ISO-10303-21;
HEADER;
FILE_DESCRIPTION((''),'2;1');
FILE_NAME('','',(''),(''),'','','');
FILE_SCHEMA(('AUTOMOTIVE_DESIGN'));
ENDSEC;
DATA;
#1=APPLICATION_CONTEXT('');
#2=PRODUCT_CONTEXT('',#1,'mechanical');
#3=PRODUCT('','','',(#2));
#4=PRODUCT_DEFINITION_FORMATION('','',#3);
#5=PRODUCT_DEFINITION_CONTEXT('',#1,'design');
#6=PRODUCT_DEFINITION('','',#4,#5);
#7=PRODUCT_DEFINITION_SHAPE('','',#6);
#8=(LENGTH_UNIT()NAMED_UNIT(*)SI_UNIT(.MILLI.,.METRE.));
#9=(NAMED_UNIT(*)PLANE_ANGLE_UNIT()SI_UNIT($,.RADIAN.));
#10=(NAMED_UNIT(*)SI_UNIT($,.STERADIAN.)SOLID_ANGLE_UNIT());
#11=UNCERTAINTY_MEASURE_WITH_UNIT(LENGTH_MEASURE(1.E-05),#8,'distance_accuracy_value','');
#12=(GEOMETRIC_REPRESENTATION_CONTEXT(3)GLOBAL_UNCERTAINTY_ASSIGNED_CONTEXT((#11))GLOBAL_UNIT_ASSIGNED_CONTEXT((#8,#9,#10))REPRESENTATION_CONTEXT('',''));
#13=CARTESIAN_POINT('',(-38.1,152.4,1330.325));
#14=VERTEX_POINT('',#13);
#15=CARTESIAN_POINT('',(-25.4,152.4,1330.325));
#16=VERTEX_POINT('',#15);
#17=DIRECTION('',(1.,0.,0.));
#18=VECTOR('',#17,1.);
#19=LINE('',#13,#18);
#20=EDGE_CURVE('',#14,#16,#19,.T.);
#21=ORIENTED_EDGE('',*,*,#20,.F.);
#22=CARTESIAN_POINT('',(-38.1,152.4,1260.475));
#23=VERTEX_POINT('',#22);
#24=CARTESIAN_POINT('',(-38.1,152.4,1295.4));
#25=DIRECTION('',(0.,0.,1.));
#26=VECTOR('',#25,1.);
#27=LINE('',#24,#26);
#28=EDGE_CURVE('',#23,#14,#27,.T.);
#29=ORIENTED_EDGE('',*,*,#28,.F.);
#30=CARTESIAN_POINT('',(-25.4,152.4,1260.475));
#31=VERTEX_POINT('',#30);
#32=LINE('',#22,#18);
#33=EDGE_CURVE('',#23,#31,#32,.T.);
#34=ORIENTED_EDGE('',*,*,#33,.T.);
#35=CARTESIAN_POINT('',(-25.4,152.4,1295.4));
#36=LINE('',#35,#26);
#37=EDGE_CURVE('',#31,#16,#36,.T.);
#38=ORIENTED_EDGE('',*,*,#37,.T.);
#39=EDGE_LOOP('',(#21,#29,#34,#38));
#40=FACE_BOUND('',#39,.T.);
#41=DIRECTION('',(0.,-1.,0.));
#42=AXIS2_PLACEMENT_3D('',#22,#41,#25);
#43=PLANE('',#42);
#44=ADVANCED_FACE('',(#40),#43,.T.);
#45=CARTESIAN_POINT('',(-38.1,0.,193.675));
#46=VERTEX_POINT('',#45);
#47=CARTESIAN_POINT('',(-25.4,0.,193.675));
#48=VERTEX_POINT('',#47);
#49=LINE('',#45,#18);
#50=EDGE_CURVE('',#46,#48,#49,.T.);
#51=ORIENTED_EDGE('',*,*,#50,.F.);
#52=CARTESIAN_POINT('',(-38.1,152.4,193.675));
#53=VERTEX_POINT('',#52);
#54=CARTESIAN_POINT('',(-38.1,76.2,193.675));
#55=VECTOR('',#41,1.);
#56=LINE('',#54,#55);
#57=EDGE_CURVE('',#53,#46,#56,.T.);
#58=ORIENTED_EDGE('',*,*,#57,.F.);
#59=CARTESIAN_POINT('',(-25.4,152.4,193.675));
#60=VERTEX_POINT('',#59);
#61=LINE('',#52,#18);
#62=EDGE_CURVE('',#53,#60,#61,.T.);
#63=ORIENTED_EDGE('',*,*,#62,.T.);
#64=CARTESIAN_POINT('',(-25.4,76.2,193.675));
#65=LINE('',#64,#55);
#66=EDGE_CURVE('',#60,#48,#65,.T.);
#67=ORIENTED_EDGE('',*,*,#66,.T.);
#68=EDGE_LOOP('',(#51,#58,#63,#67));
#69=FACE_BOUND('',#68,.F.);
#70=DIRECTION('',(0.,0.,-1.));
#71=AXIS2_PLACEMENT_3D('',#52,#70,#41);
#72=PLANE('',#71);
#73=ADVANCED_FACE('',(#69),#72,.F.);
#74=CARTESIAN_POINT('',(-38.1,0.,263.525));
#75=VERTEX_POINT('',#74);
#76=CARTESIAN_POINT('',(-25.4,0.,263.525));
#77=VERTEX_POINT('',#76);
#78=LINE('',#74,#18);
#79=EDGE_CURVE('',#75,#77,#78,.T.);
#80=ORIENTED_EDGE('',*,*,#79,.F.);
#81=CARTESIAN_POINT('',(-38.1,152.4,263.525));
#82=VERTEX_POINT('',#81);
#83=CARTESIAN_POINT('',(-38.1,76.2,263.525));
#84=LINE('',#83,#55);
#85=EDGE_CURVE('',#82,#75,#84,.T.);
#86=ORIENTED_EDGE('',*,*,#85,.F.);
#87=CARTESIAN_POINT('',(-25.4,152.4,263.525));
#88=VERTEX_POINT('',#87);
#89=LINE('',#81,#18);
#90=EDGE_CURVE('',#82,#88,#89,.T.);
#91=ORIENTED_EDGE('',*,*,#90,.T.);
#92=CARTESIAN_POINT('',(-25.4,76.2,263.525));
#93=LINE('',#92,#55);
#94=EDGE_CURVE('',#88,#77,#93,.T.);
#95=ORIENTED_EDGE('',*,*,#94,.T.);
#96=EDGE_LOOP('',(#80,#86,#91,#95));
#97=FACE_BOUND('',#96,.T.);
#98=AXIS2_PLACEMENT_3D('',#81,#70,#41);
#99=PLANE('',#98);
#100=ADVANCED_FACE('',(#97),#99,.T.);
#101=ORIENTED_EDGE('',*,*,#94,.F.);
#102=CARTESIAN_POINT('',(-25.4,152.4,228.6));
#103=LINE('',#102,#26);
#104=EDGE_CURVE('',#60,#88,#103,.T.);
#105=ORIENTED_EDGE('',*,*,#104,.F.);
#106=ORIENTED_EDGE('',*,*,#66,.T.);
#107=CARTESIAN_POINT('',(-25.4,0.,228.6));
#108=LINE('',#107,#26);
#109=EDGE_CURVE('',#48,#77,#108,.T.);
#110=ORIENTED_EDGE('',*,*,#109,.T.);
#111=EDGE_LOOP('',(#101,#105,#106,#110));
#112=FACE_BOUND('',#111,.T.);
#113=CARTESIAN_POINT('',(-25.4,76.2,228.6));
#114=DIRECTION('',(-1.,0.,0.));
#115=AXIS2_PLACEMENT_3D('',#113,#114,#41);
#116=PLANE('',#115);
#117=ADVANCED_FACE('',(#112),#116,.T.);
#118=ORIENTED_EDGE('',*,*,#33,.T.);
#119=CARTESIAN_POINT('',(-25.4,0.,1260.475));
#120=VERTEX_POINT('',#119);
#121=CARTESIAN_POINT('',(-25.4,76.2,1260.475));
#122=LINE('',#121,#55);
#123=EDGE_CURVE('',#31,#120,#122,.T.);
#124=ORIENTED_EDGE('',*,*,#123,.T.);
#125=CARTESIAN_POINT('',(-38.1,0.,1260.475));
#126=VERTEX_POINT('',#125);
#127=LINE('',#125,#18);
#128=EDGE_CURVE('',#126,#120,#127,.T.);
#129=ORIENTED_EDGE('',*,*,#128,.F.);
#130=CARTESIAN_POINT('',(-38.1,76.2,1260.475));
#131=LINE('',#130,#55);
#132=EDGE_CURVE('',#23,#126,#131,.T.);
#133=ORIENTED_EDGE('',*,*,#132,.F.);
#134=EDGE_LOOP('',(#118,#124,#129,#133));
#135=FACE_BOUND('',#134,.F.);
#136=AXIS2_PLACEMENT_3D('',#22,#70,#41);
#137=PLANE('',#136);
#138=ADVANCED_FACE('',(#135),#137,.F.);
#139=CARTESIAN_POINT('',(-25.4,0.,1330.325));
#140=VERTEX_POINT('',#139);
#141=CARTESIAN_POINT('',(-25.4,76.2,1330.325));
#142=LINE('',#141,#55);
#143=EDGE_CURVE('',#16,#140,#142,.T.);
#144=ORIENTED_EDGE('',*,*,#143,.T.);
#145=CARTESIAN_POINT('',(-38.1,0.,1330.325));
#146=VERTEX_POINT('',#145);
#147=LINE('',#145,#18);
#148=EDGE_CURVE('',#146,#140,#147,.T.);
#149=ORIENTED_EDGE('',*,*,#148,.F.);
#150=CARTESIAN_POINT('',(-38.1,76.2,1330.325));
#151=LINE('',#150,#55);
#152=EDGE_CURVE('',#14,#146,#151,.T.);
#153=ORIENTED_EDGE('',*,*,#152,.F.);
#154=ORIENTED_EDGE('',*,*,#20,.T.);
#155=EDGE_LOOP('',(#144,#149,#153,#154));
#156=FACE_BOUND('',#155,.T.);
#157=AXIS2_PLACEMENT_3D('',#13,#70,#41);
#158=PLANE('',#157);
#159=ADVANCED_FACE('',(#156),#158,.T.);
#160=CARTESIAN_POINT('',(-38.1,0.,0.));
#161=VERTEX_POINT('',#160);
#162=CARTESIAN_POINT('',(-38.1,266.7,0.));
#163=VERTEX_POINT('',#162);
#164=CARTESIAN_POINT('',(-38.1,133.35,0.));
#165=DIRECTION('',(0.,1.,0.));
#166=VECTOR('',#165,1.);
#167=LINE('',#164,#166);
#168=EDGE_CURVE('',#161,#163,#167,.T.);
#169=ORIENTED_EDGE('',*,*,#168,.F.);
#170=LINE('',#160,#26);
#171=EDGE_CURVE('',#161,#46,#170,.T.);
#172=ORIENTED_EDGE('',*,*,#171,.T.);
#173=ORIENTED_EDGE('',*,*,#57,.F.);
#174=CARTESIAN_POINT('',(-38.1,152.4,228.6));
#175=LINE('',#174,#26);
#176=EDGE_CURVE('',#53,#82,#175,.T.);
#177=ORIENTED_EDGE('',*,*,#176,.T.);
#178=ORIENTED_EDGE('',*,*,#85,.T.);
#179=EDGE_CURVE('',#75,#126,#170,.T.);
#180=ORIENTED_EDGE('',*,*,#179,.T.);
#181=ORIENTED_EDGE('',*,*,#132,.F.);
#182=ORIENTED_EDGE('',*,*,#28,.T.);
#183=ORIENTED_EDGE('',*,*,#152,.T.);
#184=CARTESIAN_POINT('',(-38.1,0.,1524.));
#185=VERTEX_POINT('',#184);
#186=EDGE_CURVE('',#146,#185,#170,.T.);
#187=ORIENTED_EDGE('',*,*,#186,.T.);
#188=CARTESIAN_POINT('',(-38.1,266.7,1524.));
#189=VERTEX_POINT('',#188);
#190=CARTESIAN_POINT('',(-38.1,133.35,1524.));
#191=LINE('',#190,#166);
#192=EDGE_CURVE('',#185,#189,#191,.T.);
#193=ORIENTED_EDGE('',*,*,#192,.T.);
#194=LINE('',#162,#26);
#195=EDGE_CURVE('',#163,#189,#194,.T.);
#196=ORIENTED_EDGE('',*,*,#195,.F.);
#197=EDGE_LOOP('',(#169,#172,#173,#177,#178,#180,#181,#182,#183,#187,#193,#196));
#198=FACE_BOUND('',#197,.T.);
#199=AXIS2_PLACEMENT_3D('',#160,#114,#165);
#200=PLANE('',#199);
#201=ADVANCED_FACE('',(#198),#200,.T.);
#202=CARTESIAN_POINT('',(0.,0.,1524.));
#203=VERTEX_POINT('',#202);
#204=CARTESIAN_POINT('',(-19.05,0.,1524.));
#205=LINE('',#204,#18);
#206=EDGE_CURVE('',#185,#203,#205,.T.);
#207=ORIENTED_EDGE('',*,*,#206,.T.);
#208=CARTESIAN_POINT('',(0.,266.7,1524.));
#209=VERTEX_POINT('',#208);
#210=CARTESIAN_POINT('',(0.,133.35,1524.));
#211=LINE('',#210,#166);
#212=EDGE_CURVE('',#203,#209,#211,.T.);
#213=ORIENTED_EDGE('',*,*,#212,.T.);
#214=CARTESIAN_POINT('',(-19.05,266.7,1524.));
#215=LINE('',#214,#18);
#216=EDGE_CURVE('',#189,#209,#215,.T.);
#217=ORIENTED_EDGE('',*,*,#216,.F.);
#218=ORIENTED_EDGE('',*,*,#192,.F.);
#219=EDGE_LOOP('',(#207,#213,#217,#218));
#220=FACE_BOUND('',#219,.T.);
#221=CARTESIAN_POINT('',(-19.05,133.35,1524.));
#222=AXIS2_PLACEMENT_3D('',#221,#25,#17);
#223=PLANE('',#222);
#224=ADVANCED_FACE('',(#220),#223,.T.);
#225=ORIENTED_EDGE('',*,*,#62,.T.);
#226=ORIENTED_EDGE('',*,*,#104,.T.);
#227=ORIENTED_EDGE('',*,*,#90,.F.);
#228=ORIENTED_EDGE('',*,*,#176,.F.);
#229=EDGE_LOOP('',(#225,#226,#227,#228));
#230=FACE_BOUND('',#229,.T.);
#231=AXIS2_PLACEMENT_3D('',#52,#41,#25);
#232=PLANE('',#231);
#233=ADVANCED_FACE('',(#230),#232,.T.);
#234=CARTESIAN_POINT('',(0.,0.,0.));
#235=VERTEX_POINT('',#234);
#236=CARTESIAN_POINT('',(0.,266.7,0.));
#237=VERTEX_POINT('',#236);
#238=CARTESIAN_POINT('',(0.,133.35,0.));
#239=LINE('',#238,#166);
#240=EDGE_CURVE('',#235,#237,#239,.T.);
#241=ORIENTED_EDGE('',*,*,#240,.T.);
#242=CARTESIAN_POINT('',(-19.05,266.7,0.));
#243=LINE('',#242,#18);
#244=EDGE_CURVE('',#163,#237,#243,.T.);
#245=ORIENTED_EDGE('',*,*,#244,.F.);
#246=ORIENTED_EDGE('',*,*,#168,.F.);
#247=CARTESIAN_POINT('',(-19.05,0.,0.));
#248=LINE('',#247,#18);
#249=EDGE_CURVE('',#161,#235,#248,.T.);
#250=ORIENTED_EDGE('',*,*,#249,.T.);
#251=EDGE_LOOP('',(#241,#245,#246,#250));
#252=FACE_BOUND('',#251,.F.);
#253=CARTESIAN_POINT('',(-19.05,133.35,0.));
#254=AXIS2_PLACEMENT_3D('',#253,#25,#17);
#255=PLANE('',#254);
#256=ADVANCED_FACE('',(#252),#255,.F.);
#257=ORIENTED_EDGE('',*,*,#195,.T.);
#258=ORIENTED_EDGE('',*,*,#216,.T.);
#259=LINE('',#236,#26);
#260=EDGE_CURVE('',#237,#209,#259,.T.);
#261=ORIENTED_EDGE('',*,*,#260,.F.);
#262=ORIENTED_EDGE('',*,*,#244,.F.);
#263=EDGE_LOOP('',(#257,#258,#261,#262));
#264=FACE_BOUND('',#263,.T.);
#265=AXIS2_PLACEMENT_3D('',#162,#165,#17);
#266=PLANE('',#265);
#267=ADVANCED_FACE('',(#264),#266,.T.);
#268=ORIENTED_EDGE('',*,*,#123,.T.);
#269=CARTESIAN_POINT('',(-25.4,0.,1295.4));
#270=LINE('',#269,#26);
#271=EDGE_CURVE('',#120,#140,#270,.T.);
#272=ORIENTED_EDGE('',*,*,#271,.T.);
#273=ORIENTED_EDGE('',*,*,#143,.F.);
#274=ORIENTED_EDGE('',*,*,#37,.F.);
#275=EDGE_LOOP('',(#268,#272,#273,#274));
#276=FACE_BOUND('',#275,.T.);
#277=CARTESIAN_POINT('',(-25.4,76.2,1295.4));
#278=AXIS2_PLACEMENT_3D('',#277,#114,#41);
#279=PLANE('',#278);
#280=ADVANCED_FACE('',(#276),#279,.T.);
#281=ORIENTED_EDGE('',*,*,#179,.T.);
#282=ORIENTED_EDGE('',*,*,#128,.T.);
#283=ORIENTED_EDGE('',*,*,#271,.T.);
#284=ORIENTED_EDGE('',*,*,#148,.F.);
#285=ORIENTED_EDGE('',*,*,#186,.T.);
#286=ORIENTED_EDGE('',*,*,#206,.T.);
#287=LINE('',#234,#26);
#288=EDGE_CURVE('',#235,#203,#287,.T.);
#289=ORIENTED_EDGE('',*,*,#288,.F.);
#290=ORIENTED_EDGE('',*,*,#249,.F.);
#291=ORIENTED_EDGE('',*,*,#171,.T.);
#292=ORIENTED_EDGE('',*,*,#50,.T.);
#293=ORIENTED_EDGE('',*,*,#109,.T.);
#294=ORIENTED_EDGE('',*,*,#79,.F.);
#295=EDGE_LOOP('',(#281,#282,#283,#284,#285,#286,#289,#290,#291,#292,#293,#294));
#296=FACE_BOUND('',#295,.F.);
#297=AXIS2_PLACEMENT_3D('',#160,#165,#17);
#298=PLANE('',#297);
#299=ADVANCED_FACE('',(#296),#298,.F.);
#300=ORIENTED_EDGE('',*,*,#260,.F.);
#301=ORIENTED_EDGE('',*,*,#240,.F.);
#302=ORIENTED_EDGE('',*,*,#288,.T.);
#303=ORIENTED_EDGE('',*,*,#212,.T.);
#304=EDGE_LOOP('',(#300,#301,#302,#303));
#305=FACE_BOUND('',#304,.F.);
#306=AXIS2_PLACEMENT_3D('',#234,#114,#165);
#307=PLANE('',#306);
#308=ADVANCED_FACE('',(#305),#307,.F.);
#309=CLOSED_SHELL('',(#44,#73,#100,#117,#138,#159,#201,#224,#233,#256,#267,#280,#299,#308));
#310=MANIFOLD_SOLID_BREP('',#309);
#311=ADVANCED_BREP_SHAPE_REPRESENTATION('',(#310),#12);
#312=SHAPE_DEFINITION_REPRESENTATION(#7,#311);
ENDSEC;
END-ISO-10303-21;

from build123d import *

# Parameters (mm, degrees)
F0_W     = 38.1
F0_H     = 266.7
F1_DEPTH = 1524
F2_W     = 152.4
F2_H     = 69.85
F3_DEPTH = 12.7


with BuildPart() as f1:
    # F0 (on Top) → F1 (new body)
    with BuildSketch(Plane.XY):
        with Locations((-19.05, 133.35)):
            Rectangle(F0_W, F0_H)
    extrude(amount=F1_DEPTH)

    # F2 (on face) → F3 (cut)
    with BuildSketch(Plane(origin=(-38.1, 0, 0), x_dir=(0, -1, 0), z_dir=(-1, 0, 0))):
        with Locations((-76.2, 228.6)):
            Rectangle(F2_W, F2_H)
        with Locations((-76.2, 1295.4)):
            Rectangle(F2_W, F2_H)
    extrude(amount=-F3_DEPTH, mode=Mode.SUBTRACT)


solid = f1.part
